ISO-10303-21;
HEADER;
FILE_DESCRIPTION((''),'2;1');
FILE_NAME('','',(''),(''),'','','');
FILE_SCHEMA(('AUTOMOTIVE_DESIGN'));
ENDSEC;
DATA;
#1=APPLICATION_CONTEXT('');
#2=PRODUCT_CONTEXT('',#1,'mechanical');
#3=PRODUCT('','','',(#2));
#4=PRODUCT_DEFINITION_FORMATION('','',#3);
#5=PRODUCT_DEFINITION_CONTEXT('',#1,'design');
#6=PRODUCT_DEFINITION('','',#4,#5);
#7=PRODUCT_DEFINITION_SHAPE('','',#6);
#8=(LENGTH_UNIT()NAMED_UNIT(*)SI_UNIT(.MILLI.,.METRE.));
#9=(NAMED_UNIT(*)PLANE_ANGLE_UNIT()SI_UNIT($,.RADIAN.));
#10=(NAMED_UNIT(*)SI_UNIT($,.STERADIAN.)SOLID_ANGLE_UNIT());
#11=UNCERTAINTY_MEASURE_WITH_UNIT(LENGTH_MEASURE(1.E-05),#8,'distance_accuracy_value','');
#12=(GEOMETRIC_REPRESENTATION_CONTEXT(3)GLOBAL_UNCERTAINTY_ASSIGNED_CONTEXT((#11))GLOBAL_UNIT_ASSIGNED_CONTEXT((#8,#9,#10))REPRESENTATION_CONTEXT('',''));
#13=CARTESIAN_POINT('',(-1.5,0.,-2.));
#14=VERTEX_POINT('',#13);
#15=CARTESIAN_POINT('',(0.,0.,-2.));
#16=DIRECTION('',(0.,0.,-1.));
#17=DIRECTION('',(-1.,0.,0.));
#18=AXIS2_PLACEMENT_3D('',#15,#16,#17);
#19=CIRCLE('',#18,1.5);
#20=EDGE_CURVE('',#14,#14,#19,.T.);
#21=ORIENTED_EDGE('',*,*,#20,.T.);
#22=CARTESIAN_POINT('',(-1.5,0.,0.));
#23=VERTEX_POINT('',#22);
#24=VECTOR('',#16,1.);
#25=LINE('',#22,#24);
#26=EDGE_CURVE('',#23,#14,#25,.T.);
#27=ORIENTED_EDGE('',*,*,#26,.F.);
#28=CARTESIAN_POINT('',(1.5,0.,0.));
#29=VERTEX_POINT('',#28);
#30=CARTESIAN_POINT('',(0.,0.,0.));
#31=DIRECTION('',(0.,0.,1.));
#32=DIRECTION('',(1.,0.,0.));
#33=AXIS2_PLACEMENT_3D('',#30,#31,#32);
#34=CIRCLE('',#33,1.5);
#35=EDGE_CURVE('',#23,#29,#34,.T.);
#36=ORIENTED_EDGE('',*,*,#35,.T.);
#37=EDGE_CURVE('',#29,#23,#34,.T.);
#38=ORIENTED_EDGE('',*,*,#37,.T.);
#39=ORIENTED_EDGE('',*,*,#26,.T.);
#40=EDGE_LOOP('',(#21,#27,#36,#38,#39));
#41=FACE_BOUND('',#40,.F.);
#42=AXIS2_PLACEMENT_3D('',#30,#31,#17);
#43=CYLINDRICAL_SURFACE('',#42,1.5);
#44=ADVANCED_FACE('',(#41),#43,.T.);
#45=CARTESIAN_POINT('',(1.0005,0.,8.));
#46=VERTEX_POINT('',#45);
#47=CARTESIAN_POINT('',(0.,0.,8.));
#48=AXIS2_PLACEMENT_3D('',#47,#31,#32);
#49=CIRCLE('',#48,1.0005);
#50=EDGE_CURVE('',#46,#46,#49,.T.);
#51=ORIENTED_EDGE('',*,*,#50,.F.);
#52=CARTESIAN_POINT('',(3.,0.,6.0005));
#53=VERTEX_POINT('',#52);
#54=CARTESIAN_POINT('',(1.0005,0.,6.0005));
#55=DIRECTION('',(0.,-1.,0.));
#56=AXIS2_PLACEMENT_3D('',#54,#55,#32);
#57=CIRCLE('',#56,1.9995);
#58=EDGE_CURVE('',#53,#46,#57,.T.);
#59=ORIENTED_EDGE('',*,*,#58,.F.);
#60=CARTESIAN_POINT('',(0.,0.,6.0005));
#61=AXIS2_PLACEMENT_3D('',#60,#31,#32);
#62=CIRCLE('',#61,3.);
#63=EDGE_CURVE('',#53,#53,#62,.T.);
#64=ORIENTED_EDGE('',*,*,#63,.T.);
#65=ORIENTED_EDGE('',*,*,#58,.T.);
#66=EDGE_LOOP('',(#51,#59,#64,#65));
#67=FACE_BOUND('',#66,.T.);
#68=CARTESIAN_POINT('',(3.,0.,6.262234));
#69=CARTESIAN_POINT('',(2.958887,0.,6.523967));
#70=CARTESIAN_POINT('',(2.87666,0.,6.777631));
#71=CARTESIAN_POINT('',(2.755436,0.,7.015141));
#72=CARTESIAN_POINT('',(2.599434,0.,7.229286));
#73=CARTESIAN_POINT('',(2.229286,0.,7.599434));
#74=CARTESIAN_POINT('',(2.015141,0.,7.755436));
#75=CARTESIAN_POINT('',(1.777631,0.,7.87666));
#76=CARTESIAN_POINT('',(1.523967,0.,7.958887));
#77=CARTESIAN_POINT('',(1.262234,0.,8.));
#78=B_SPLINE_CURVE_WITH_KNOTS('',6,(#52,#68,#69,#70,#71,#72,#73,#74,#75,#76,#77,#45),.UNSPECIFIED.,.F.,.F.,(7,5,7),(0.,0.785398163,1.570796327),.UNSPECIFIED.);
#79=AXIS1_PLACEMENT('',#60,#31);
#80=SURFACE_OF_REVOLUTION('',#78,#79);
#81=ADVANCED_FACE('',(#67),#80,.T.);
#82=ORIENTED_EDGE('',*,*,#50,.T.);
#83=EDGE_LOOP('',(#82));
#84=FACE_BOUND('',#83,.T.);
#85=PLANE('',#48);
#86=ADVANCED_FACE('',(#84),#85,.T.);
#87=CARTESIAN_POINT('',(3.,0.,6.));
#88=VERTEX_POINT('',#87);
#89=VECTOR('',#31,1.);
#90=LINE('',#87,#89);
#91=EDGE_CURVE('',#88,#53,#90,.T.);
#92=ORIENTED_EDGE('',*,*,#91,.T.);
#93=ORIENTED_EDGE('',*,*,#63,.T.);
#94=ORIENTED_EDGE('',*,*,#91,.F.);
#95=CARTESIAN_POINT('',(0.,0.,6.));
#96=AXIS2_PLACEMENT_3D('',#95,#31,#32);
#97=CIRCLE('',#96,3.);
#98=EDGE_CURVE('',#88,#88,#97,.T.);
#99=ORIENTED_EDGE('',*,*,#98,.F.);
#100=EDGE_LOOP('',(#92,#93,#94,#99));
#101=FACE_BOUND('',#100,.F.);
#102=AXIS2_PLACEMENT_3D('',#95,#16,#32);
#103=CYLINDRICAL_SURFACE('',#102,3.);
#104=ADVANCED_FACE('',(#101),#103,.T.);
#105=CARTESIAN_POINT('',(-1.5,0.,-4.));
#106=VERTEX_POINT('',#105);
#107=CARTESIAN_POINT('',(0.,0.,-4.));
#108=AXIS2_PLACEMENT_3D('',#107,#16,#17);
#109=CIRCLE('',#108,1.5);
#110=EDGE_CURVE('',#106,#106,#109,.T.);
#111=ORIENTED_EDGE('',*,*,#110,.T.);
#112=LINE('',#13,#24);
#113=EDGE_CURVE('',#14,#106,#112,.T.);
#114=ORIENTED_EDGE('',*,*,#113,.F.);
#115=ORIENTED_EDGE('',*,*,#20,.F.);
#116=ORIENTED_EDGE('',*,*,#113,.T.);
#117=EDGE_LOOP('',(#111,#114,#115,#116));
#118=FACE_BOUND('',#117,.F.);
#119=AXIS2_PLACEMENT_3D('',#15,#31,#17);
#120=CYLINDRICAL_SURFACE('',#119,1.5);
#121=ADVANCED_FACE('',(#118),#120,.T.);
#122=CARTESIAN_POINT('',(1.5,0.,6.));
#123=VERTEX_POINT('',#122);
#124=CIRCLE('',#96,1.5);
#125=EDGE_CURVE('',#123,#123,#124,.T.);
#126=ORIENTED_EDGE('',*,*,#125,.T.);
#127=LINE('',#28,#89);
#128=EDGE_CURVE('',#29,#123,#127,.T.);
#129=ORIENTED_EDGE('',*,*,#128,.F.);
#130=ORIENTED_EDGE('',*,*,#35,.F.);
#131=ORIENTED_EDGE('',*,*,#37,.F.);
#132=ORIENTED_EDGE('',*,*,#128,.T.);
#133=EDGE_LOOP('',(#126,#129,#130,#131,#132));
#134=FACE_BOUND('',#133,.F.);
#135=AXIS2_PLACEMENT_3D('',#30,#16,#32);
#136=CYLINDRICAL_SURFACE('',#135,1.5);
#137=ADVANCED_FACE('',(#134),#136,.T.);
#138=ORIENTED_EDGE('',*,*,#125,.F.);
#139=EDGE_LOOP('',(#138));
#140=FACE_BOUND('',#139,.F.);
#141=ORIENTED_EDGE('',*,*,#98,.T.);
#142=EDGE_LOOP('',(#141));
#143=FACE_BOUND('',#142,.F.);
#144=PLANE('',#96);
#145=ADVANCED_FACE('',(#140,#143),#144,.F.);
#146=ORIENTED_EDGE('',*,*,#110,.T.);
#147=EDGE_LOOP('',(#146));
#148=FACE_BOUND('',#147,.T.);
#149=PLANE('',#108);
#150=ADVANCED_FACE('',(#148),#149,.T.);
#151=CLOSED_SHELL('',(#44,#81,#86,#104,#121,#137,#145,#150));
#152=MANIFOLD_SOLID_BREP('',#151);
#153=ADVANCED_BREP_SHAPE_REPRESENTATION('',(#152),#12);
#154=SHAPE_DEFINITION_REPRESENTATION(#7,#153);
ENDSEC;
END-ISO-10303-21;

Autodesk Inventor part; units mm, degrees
ref_plane "YZ Plane" through (0, 0, 0) normal (1, 0, 0) x (0, 1, 0)
ref_plane "XZ Plane" through (0, 0, 0) normal (0, 1, 0) x (-1, 0, 0)
ref_plane "XY Plane" through (0, 0, 0) normal (0, 0, 1) x (1, 0, 0)
sketch "スケッチ1" plane through (0, 0, 0) normal (0, 0, 1) x (1, 0, 0)
  circle A0 centre (0, 0) radius 1.5
  dimension "d0" = 3
extrude "押し出し1" add sketch "スケッチ1" along normal blind 6
sketch "スケッチ2" plane through (0, 0, 6) normal (0, 0, 1) x (1, 0, 0)
  circle A0 centre (0, 0) radius 1.5 projected
  circle A1 centre (0, 0) radius 3
  dimension "d3" = 6
extrude "押し出し2" add sketch "スケッチ2" along normal blind 2 contours A0 | A1
fillet "フィレット1" radius 2 1 edges at (-3, 0, 8)
thread "ねじ1" size "M3x0.5" class "6g" standard "ANSI Metric M Profile" full length
sketch "スケッチ3" plane through (0, 0, 0) normal (0, 0, -1) x (-1, 0, 0)
  circle A0 centre (0, 0) radius 1.5 projected
extrude "押し出し3" add sketch "スケッチ3" along normal blind 2
sketch "スケッチ4" plane through (0, 0, -2) normal (0, 0, -1) x (-1, 0, 0)
  circle A0 centre (0, 0) radius 1.5 projected
extrude "押し出し4" add sketch "スケッチ4" along normal blind 2
properties part number "SB　10mmなべネジ" material "Steel, Mild"
